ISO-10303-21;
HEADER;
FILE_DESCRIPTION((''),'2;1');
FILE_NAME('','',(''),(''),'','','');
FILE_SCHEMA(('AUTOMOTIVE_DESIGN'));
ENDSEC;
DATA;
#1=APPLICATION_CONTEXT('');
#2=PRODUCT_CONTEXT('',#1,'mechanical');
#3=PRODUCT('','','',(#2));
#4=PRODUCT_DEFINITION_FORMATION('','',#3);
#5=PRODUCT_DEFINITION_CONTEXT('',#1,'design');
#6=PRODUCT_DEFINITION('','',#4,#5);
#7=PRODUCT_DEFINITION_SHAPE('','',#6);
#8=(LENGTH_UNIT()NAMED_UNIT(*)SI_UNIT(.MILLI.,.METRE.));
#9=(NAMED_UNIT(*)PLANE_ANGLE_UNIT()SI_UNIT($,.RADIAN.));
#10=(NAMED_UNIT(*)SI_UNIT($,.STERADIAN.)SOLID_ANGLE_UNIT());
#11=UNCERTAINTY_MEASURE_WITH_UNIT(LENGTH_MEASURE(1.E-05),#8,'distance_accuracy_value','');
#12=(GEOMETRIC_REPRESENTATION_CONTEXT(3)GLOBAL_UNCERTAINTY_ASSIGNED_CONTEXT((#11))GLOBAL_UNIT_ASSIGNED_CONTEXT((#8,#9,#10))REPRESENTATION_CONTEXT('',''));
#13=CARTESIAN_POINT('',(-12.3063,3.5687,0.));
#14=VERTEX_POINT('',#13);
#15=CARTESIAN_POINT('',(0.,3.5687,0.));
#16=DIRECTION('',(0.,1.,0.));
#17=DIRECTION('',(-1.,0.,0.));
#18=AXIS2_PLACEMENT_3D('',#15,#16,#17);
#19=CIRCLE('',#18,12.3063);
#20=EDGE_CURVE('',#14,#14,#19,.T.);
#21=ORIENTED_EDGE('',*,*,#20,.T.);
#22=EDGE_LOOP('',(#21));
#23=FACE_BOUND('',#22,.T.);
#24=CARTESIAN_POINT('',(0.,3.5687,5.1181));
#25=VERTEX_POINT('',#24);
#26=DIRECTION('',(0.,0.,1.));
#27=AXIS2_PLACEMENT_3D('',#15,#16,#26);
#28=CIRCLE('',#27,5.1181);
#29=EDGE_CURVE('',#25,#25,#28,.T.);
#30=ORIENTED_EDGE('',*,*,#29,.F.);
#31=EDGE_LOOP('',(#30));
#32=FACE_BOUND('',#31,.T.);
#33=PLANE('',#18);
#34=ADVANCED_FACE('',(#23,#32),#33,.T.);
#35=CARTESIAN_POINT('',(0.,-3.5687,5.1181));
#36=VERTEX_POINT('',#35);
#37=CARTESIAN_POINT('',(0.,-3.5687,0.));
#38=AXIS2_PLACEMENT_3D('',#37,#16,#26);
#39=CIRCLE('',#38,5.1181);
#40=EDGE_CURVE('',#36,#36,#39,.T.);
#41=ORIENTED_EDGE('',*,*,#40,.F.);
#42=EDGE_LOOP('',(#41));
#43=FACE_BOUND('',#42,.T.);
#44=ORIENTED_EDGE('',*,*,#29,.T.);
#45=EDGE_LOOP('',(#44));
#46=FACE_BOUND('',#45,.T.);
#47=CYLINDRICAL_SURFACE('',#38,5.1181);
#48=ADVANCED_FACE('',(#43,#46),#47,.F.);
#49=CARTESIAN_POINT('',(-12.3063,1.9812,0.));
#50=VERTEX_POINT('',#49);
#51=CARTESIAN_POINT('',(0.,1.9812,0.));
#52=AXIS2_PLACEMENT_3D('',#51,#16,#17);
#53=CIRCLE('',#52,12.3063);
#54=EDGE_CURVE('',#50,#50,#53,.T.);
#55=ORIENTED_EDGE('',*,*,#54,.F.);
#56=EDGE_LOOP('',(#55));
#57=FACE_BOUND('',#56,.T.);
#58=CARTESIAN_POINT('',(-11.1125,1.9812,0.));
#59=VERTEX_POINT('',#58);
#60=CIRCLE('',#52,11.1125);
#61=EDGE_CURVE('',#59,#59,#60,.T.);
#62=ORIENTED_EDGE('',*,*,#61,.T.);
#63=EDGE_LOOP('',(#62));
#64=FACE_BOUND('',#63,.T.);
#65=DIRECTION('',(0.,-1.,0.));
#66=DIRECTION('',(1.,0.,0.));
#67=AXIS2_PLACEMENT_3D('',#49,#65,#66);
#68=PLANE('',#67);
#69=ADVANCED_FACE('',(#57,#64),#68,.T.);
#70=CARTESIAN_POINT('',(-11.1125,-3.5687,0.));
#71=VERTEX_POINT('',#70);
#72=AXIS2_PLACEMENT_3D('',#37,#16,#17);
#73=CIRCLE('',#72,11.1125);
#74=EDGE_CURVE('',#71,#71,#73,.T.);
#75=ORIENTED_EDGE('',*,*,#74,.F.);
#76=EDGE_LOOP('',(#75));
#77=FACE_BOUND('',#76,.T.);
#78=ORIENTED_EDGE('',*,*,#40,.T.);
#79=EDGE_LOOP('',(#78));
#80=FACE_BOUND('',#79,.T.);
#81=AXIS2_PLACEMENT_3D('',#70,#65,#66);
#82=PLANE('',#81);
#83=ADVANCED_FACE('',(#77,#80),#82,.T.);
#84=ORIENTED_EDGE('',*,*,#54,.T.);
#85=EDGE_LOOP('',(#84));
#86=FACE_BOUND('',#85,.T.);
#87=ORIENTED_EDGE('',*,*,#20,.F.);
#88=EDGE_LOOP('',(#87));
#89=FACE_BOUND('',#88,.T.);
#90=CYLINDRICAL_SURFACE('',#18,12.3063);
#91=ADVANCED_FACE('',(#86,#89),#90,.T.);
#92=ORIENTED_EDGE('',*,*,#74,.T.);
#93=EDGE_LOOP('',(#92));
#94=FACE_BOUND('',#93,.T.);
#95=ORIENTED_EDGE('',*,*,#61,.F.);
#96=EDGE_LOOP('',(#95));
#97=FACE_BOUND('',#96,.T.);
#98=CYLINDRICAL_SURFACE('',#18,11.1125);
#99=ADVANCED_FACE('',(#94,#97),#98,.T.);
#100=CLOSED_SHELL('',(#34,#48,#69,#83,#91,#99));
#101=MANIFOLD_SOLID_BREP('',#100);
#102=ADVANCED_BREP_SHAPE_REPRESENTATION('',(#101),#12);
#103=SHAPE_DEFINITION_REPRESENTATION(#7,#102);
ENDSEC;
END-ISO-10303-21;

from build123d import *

# Parameters (mm, degrees)
ROUND_CORTE_DEPTH      = 18.765856553
ROUND_CORTE_DEPTH_BACK = 18.765856553
CROQUIS3_R             = 5.1181


with BuildPart() as part:
    # Croquis2 → Revolución1 (revolve)
    with BuildSketch(Plane.XY):
        Polygon((0, 3.5687), (0, -3.5687), (-11.1125, -3.5687), (-11.1125, 1.9812), (-12.3063, 1.9812), (-12.3063, 3.5687), align=None)
    revolve(axis=Axis((0, 3.5687, 0), (0, -1, 0)))

    # Croquis3 → Round Corte (cut, two sides: drawn at the far end of the back side and taken through both)
    with BuildSketch(Plane(origin=(0, 0, 0), x_dir=(1, 0, 0), z_dir=(0, 1, 0)).offset(-ROUND_CORTE_DEPTH_BACK)):
        with Locations(Location((0, 0, 0), (0, 0, 270))):
            Circle(CROQUIS3_R)
    extrude(amount=ROUND_CORTE_DEPTH + ROUND_CORTE_DEPTH_BACK, mode=Mode.SUBTRACT)


solid = part.part
